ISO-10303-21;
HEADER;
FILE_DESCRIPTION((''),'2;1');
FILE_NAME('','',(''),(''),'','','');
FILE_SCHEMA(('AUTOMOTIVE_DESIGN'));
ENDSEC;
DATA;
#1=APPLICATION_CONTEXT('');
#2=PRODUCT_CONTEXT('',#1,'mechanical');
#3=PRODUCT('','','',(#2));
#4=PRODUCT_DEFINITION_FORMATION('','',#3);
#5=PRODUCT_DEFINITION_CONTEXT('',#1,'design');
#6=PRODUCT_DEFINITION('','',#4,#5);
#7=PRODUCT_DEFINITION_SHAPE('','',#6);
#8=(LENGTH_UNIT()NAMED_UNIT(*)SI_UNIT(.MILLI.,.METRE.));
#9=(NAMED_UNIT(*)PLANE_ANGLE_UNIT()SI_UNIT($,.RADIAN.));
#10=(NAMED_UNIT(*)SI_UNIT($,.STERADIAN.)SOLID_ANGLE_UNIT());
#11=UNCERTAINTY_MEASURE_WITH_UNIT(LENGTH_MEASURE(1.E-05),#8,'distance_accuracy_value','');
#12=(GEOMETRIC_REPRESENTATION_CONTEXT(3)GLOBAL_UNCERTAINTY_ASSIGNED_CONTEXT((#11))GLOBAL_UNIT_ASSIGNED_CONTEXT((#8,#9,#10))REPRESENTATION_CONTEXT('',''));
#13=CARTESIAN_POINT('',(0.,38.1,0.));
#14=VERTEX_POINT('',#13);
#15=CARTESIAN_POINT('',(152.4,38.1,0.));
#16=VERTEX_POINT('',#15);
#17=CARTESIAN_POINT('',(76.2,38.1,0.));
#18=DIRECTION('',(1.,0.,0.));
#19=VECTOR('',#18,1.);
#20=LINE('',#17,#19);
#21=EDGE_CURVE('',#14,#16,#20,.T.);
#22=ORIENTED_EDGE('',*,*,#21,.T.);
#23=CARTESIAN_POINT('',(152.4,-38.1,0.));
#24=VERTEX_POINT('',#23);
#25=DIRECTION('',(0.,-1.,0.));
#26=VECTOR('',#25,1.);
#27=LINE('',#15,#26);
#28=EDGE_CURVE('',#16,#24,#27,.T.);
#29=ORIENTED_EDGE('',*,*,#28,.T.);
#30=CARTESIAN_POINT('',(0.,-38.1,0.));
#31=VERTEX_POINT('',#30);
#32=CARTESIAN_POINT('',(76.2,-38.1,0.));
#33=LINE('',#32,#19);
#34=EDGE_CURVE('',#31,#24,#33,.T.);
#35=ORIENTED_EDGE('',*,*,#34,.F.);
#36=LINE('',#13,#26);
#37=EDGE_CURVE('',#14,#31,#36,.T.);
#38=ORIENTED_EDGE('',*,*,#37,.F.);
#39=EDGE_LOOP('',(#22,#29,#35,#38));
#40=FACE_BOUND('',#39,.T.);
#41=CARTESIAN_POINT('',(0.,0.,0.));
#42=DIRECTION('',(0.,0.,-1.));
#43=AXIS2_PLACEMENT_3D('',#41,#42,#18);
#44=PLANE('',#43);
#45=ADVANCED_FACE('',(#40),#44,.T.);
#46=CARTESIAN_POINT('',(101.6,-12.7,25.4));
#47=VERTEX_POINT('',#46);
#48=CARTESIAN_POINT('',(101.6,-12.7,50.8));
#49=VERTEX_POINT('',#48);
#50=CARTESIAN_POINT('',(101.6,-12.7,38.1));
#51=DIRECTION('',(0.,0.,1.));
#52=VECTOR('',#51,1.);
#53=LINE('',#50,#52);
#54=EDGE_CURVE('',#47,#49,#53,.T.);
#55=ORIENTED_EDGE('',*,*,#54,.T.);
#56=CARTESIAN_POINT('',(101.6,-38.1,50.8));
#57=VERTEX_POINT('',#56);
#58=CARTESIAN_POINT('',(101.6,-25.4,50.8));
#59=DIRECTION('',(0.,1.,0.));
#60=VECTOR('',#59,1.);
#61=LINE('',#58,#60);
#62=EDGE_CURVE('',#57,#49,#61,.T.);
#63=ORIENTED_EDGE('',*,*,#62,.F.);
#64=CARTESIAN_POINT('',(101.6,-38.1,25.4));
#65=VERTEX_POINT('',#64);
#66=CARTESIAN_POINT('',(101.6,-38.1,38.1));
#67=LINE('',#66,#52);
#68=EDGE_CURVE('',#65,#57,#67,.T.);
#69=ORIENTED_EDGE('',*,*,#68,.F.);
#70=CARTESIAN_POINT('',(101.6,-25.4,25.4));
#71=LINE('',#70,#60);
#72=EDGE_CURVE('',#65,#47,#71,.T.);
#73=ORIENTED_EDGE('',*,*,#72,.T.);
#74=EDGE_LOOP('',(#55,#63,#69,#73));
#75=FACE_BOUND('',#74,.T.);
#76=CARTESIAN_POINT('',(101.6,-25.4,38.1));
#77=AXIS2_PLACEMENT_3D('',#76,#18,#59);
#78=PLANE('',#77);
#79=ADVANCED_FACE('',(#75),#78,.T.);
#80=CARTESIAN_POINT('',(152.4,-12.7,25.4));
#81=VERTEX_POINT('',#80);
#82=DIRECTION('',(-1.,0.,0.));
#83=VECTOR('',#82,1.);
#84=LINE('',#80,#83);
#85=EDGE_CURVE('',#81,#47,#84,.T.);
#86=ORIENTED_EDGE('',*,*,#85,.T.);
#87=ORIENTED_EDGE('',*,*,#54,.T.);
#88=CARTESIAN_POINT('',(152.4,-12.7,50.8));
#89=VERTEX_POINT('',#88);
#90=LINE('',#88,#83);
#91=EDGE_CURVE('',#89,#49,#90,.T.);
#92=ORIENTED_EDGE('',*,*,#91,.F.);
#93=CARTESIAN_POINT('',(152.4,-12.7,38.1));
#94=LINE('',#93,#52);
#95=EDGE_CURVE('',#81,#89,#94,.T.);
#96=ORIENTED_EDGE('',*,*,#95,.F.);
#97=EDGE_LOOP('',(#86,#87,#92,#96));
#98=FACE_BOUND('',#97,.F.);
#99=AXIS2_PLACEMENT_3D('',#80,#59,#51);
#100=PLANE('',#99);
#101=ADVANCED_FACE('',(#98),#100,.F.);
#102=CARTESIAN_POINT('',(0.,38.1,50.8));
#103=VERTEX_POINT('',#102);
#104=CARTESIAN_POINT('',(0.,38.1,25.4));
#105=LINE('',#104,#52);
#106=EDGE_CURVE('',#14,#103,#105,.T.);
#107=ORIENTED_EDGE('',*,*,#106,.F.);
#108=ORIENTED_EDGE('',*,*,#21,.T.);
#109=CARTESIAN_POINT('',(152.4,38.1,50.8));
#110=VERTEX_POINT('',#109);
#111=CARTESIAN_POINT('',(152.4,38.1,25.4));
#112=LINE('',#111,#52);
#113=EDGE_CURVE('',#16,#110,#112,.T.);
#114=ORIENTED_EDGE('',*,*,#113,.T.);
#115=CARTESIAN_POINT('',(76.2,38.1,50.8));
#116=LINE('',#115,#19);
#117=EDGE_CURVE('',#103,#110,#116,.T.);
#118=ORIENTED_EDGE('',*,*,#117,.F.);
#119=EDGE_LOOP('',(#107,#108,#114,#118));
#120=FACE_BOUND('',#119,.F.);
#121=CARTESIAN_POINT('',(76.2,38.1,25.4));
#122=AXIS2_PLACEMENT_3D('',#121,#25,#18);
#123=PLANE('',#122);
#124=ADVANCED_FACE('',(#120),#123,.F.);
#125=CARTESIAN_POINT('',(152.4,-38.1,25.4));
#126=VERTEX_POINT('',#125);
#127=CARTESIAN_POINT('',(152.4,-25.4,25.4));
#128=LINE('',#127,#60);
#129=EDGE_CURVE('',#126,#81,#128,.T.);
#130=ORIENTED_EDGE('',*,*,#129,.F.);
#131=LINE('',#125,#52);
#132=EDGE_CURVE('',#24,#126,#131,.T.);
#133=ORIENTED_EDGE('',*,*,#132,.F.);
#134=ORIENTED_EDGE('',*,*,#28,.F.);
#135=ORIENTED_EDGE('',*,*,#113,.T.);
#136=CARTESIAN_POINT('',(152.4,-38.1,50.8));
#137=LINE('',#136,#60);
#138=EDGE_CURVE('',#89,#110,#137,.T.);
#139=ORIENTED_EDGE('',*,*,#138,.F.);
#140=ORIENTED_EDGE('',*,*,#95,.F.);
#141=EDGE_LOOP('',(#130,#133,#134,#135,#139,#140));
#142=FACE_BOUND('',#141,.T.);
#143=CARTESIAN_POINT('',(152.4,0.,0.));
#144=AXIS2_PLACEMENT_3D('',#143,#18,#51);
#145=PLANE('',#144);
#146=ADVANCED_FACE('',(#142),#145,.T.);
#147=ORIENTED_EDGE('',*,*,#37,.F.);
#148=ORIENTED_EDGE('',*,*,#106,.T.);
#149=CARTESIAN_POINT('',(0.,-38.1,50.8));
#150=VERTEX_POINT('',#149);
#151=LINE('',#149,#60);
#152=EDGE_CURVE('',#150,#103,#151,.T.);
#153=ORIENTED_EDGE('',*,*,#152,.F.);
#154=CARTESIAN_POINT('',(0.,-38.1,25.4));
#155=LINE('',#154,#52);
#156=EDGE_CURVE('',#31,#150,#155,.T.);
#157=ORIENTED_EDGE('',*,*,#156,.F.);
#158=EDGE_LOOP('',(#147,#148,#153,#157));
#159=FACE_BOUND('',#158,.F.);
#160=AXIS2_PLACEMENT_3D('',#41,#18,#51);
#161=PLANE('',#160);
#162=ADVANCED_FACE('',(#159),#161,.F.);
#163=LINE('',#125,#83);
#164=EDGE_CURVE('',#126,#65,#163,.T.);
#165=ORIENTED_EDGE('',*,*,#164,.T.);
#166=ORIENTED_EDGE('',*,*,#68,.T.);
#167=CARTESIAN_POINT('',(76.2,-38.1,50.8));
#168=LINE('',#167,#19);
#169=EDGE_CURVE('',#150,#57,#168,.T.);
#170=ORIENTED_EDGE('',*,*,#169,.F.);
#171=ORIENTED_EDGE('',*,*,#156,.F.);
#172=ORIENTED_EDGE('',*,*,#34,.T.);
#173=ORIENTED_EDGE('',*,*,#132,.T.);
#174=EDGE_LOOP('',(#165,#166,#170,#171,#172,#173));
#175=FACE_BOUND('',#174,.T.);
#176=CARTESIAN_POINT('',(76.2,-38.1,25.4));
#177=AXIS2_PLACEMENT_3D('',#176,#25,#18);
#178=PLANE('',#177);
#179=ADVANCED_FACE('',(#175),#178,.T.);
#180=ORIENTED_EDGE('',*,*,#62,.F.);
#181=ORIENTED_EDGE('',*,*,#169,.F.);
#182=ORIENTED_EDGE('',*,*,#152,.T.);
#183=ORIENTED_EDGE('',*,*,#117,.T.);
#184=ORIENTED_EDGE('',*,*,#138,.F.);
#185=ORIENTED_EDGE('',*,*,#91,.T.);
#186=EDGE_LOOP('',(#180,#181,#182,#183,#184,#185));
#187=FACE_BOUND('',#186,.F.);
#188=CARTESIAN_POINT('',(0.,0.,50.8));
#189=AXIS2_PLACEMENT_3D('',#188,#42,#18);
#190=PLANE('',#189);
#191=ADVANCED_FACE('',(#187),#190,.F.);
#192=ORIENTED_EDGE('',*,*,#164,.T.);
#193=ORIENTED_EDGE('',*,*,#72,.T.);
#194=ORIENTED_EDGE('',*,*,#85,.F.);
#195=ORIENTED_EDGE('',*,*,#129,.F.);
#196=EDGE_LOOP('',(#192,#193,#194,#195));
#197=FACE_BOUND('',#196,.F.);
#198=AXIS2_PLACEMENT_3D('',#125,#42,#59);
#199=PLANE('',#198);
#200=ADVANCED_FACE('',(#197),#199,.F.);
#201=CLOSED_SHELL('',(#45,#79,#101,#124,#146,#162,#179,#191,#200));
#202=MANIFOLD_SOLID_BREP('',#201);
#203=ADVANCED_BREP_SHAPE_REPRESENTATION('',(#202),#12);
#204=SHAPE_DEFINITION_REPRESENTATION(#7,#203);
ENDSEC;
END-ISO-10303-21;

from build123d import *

# Parameters (mm, degrees)
F0_W     = 152.4
F0_H     = 50.8
F1_DEPTH = 38.1
F2_W     = 25.4
F2_H     = 25.4
F3_DEPTH = 50.8


with BuildPart() as f1:
    # F0 (on Front) → F1 (new body, symmetric)
    with BuildSketch(Plane.XZ):
        with Locations((76.2, 25.4)):
            Rectangle(F0_W, F0_H)
    extrude(amount=F1_DEPTH, both=True)

    # F2 (on face) → F3 (cut)
    with BuildSketch(Plane.YZ.offset(152.4)):
        with Locations((-25.4, 38.1)):
            Rectangle(F2_W, F2_H)
    extrude(amount=-F3_DEPTH, mode=Mode.SUBTRACT)


solid = f1.part
